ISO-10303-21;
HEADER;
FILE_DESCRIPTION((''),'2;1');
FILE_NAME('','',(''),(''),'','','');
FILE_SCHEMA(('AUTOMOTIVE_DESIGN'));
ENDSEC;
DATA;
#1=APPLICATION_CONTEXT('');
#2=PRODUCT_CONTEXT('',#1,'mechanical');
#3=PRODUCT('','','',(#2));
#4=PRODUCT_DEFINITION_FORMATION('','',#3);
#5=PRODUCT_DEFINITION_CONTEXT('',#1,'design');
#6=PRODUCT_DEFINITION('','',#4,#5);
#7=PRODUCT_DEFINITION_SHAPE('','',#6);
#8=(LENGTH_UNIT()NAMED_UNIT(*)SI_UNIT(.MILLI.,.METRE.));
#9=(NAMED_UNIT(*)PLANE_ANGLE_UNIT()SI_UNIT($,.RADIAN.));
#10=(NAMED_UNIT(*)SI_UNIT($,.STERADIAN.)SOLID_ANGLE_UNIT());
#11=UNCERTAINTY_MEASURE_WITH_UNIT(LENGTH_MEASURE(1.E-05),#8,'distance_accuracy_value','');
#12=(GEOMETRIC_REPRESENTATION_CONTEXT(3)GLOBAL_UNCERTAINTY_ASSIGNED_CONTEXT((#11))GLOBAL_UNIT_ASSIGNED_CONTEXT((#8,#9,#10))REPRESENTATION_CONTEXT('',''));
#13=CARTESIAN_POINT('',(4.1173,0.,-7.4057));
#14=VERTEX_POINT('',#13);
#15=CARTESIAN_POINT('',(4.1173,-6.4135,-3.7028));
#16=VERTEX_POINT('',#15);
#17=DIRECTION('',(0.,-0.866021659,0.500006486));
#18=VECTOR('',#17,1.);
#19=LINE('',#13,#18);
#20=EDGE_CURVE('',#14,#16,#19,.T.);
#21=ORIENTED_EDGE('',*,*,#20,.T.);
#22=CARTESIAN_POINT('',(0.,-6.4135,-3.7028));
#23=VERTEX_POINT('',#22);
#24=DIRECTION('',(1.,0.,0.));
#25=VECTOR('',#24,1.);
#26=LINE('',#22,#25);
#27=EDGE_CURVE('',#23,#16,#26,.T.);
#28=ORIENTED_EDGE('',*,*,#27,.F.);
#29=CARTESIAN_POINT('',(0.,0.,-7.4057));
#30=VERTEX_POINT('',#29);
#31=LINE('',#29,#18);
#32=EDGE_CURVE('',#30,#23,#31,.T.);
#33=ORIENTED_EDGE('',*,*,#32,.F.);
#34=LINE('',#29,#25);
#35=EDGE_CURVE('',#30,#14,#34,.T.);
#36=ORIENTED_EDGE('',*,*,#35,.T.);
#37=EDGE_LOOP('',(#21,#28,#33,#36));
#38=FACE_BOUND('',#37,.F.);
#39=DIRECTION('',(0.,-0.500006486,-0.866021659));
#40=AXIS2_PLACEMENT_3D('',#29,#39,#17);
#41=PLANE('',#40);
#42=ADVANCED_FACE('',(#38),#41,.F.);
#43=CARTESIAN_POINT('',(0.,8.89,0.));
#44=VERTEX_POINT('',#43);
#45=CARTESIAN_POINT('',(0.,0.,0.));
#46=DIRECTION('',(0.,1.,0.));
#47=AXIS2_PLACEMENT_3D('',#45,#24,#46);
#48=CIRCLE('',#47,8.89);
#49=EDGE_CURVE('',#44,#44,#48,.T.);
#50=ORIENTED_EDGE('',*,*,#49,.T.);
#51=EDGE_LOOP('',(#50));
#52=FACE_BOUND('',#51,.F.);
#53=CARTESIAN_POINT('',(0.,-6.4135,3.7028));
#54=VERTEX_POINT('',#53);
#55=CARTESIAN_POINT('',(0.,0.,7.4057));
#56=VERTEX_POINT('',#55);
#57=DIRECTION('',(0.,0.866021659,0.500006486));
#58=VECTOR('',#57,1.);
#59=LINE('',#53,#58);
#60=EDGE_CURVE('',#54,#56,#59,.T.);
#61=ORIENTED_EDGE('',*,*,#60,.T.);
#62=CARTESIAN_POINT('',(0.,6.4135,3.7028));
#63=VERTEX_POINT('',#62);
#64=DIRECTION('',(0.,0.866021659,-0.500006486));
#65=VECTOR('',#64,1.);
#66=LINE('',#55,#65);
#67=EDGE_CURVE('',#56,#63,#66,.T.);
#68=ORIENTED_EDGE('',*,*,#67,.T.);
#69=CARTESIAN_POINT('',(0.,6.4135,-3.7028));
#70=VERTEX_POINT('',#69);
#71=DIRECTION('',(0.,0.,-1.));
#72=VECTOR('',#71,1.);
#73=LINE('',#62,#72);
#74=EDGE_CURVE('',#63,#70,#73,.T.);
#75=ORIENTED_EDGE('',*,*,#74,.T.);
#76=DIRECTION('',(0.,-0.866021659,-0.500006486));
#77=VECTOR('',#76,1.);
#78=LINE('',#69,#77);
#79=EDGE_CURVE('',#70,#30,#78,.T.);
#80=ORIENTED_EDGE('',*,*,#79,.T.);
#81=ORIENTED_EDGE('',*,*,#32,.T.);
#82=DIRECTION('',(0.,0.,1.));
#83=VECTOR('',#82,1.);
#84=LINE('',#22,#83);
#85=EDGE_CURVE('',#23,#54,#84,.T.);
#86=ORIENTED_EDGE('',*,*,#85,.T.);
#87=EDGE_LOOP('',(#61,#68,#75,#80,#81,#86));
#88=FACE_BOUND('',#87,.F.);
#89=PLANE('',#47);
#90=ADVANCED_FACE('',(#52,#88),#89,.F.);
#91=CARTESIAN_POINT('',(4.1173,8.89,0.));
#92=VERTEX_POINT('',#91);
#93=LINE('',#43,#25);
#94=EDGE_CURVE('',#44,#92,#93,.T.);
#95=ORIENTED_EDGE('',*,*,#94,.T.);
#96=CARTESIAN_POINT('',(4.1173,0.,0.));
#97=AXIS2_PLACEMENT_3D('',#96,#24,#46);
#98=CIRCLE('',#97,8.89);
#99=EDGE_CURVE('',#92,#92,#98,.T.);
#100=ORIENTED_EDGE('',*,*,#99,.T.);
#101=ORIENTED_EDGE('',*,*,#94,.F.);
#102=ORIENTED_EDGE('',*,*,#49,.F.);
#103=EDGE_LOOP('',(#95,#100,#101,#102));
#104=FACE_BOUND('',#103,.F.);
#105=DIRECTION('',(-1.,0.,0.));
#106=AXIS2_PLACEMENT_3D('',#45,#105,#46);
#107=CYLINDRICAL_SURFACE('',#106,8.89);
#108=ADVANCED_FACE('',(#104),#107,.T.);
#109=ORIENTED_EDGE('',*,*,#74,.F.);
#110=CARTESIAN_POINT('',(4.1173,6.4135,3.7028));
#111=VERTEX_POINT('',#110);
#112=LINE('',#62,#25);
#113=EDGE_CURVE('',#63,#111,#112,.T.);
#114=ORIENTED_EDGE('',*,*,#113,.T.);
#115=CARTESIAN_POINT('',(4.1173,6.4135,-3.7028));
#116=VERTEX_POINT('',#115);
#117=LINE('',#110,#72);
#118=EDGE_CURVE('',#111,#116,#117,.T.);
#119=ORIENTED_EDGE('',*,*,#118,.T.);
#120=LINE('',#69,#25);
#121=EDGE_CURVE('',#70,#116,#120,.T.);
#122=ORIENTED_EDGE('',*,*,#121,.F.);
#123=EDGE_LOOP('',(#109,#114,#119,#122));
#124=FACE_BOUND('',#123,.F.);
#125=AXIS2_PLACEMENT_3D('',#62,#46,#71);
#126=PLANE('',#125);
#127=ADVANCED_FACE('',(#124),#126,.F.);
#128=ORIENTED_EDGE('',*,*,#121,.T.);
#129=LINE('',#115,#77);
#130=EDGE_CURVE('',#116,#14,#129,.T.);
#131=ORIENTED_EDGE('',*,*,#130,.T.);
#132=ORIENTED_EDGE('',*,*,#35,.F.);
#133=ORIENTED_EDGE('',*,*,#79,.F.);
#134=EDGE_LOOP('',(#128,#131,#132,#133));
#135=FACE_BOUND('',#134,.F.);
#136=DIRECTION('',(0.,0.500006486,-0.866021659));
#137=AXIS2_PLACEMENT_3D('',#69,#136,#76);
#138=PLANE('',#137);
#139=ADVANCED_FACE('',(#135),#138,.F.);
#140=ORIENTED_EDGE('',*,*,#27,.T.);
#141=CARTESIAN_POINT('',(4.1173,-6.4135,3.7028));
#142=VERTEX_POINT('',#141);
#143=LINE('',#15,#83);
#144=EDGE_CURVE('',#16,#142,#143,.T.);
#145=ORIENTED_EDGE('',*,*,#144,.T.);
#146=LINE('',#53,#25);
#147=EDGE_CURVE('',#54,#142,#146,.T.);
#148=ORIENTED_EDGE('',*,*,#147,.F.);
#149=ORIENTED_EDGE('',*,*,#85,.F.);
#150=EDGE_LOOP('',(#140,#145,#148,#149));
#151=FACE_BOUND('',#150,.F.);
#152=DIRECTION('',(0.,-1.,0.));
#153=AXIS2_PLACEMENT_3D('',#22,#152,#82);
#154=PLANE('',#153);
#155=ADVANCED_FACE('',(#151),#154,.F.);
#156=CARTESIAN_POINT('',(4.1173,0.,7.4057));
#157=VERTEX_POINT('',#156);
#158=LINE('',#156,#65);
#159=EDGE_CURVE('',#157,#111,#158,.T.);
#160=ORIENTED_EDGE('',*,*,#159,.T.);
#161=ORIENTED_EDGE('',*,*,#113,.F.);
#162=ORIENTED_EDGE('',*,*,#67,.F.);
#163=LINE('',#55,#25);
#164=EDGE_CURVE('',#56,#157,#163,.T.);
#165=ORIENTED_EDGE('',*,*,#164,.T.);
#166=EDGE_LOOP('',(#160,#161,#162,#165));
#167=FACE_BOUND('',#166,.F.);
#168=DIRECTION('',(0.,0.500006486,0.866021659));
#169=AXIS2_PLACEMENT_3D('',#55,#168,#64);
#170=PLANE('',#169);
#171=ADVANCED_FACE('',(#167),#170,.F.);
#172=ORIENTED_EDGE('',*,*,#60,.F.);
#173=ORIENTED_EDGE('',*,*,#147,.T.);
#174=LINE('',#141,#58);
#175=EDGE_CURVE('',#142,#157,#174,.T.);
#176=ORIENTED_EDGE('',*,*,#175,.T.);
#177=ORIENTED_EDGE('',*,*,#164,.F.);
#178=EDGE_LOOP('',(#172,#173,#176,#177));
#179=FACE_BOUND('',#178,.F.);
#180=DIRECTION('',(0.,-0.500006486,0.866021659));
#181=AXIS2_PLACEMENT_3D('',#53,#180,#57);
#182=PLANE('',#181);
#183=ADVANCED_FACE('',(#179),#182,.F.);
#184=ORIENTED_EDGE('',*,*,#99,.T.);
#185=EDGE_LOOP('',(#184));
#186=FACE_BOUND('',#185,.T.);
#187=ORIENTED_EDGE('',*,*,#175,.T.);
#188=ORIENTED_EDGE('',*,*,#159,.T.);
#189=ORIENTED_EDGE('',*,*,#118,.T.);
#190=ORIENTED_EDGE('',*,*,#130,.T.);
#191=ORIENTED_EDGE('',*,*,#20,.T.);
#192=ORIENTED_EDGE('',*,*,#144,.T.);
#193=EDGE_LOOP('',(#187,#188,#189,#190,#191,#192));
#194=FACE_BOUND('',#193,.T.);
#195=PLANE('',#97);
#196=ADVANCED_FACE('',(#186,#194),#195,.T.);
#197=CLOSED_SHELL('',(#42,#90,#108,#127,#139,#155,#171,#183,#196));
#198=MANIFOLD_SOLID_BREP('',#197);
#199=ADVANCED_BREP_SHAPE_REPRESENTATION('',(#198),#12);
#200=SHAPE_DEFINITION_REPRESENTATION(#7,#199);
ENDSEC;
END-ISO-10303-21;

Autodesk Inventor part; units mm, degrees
ref_plane "YZ Plane" through (0, 0, 0) normal (1, 0, 0) x (0, 1, 0)
ref_plane "XZ Plane" through (0, 0, 0) normal (0, 1, 0) x (-1, 0, 0)
ref_plane "XY Plane" through (0, 0, 0) normal (0, 0, 1) x (1, 0, 0)
sketch "Sketch1" plane through (0, 0, 0) normal (1, 0, 0) x (0, 1, 0)
  line L0 (-6.4135, -3.7028) -> (-6.4135, 3.7028)
  line L1 (-6.4135, 3.7028) -> (0, 7.4057)
  line L2 (0, 7.4057) -> (6.4135, 3.7028)
  line L3 (6.4135, 3.7028) -> (6.4135, -3.7028)
  line L4 (6.4135, -3.7028) -> (0, -7.4057)
  line L5 (0, -7.4057) -> (-6.4135, -3.7028)
  circle A0 centre (0, 0) radius 8.89
  dimension "d0" = 12.827
  dimension "d1" = 17.78
extrude "Extrusion1" add sketch "Sketch1" along normal blind 4.1173
properties part number "3DPRINT,BACKROLLERS,INTERROLLER,SPACER" material "ABS Plastic"
